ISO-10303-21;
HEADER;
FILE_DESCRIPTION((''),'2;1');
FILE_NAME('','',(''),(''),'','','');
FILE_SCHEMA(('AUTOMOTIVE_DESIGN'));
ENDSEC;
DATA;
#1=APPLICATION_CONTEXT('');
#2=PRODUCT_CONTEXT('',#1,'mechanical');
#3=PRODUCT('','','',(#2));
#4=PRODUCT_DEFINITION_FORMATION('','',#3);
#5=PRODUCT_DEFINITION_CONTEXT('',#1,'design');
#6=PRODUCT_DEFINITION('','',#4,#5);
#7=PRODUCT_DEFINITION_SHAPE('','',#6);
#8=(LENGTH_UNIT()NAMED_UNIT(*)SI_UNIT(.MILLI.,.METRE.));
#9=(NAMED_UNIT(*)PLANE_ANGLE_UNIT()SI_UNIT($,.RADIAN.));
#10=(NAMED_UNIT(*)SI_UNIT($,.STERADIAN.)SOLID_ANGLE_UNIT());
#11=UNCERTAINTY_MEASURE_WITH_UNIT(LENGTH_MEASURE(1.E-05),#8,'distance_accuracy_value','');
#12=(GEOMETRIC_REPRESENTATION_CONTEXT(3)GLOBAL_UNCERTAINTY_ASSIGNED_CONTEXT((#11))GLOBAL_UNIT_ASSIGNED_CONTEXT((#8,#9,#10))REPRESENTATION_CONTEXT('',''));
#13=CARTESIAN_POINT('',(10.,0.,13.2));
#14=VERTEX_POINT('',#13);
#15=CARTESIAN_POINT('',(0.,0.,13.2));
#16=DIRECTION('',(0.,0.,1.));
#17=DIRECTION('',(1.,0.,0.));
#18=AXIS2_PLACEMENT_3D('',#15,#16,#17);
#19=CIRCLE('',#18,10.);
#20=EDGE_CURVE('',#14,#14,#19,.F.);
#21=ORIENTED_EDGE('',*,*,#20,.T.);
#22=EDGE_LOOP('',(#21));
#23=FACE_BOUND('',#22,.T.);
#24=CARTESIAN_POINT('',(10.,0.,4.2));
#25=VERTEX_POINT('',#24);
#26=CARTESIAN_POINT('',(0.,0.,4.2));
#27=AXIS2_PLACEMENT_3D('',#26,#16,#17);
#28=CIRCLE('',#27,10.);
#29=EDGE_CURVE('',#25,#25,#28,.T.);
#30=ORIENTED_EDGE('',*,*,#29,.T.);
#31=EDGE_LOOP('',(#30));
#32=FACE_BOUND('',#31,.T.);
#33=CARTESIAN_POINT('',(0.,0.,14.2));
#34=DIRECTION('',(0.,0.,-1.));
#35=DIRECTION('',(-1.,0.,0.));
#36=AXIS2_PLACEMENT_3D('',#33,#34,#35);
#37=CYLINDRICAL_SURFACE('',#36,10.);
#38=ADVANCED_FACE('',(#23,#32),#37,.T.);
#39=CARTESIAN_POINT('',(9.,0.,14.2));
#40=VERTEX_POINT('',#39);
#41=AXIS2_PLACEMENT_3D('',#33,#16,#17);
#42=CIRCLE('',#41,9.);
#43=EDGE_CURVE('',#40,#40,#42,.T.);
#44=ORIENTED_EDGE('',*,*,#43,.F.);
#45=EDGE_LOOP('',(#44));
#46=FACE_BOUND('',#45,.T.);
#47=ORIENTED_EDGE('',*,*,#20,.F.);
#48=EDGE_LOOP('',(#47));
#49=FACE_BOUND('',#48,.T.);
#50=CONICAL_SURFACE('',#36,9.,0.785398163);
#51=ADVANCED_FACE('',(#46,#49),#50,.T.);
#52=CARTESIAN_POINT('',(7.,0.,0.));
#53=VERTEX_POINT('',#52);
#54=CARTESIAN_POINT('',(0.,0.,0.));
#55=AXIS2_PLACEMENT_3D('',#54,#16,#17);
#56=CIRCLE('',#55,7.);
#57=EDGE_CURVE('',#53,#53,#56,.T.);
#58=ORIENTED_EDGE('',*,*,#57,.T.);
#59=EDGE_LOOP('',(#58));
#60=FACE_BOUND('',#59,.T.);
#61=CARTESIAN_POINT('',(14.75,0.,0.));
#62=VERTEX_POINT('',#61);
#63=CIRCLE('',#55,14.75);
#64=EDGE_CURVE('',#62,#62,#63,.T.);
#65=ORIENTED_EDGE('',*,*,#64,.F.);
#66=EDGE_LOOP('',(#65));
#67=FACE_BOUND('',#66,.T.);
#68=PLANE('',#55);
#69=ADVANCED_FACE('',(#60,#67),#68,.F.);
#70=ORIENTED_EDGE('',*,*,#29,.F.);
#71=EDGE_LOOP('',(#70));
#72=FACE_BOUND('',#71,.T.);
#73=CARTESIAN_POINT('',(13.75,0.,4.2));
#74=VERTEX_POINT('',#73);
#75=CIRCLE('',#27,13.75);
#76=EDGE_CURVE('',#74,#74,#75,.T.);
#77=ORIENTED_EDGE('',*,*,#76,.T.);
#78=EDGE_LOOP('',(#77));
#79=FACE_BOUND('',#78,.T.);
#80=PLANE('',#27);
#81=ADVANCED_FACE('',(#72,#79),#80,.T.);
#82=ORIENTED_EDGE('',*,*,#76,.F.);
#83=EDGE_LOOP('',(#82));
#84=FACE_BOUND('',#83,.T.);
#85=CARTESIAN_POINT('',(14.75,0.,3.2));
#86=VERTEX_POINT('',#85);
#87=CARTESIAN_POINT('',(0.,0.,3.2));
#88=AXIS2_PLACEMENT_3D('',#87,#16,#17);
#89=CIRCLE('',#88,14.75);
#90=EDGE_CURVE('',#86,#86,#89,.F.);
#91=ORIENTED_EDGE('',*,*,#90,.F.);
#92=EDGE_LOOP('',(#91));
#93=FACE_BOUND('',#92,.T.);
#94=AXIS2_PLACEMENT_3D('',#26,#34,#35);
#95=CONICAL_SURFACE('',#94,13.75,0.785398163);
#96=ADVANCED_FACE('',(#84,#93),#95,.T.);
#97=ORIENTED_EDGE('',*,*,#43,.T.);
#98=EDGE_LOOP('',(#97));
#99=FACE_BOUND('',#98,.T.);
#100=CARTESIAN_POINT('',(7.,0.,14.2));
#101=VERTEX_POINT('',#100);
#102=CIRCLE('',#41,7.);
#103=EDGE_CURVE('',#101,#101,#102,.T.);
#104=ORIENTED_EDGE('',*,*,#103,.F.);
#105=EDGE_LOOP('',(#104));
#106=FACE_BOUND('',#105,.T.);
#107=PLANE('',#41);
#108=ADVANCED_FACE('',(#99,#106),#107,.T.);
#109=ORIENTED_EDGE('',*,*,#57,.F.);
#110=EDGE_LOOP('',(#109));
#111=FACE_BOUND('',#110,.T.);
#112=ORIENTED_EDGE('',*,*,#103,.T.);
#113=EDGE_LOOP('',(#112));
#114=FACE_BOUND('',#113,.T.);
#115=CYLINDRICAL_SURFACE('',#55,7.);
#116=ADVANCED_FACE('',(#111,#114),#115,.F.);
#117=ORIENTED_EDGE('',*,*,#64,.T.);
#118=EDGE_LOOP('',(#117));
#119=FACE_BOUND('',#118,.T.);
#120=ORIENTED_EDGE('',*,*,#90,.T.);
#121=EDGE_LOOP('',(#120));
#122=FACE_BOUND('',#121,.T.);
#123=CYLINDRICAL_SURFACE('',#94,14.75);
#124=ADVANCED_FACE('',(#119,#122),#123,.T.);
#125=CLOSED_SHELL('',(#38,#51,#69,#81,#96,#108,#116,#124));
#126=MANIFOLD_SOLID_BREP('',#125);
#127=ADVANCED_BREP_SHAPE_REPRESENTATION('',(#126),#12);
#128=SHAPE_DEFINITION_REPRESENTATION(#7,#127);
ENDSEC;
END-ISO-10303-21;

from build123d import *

# Parameters (mm, degrees)
SKETCH_1_R          = 14.75
EXTRUDE_1_DEPTH     = 4.2
SKETCH_2_R          = 10
EXTRUDE_2_DEPTH     = 10
SKETCH_3_R          = 7
CUT_EXTRUDE_1_DEPTH = 15.2
CHAMFER_1_SIZE      = 1


with BuildPart() as part:
    # 草图1 → 凸台-拉伸1 (new body)
    with BuildSketch(Plane.XY):
        Circle(SKETCH_1_R)
    extrude(amount=EXTRUDE_1_DEPTH)

    # 草图2 → 凸台-拉伸2 (add)
    with BuildSketch(Plane.XY.offset(4.2)):
        Circle(SKETCH_2_R)
    extrude(amount=EXTRUDE_2_DEPTH)

    # 草图3 → 切除-拉伸1 (cut, through all)
    with BuildSketch(Plane.XY.offset(14.2)):
        Circle(SKETCH_3_R)
    extrude(amount=-CUT_EXTRUDE_1_DEPTH, mode=Mode.SUBTRACT)

    # 倒角1
    chamfer_1_edges = [part.edges().sort_by_distance(p)[0] for p in [
        (-14.75, 0, 4.2),
        (-10, 0, 14.2),
    ]]
    chamfer(chamfer_1_edges, length=CHAMFER_1_SIZE)


solid = part.part
